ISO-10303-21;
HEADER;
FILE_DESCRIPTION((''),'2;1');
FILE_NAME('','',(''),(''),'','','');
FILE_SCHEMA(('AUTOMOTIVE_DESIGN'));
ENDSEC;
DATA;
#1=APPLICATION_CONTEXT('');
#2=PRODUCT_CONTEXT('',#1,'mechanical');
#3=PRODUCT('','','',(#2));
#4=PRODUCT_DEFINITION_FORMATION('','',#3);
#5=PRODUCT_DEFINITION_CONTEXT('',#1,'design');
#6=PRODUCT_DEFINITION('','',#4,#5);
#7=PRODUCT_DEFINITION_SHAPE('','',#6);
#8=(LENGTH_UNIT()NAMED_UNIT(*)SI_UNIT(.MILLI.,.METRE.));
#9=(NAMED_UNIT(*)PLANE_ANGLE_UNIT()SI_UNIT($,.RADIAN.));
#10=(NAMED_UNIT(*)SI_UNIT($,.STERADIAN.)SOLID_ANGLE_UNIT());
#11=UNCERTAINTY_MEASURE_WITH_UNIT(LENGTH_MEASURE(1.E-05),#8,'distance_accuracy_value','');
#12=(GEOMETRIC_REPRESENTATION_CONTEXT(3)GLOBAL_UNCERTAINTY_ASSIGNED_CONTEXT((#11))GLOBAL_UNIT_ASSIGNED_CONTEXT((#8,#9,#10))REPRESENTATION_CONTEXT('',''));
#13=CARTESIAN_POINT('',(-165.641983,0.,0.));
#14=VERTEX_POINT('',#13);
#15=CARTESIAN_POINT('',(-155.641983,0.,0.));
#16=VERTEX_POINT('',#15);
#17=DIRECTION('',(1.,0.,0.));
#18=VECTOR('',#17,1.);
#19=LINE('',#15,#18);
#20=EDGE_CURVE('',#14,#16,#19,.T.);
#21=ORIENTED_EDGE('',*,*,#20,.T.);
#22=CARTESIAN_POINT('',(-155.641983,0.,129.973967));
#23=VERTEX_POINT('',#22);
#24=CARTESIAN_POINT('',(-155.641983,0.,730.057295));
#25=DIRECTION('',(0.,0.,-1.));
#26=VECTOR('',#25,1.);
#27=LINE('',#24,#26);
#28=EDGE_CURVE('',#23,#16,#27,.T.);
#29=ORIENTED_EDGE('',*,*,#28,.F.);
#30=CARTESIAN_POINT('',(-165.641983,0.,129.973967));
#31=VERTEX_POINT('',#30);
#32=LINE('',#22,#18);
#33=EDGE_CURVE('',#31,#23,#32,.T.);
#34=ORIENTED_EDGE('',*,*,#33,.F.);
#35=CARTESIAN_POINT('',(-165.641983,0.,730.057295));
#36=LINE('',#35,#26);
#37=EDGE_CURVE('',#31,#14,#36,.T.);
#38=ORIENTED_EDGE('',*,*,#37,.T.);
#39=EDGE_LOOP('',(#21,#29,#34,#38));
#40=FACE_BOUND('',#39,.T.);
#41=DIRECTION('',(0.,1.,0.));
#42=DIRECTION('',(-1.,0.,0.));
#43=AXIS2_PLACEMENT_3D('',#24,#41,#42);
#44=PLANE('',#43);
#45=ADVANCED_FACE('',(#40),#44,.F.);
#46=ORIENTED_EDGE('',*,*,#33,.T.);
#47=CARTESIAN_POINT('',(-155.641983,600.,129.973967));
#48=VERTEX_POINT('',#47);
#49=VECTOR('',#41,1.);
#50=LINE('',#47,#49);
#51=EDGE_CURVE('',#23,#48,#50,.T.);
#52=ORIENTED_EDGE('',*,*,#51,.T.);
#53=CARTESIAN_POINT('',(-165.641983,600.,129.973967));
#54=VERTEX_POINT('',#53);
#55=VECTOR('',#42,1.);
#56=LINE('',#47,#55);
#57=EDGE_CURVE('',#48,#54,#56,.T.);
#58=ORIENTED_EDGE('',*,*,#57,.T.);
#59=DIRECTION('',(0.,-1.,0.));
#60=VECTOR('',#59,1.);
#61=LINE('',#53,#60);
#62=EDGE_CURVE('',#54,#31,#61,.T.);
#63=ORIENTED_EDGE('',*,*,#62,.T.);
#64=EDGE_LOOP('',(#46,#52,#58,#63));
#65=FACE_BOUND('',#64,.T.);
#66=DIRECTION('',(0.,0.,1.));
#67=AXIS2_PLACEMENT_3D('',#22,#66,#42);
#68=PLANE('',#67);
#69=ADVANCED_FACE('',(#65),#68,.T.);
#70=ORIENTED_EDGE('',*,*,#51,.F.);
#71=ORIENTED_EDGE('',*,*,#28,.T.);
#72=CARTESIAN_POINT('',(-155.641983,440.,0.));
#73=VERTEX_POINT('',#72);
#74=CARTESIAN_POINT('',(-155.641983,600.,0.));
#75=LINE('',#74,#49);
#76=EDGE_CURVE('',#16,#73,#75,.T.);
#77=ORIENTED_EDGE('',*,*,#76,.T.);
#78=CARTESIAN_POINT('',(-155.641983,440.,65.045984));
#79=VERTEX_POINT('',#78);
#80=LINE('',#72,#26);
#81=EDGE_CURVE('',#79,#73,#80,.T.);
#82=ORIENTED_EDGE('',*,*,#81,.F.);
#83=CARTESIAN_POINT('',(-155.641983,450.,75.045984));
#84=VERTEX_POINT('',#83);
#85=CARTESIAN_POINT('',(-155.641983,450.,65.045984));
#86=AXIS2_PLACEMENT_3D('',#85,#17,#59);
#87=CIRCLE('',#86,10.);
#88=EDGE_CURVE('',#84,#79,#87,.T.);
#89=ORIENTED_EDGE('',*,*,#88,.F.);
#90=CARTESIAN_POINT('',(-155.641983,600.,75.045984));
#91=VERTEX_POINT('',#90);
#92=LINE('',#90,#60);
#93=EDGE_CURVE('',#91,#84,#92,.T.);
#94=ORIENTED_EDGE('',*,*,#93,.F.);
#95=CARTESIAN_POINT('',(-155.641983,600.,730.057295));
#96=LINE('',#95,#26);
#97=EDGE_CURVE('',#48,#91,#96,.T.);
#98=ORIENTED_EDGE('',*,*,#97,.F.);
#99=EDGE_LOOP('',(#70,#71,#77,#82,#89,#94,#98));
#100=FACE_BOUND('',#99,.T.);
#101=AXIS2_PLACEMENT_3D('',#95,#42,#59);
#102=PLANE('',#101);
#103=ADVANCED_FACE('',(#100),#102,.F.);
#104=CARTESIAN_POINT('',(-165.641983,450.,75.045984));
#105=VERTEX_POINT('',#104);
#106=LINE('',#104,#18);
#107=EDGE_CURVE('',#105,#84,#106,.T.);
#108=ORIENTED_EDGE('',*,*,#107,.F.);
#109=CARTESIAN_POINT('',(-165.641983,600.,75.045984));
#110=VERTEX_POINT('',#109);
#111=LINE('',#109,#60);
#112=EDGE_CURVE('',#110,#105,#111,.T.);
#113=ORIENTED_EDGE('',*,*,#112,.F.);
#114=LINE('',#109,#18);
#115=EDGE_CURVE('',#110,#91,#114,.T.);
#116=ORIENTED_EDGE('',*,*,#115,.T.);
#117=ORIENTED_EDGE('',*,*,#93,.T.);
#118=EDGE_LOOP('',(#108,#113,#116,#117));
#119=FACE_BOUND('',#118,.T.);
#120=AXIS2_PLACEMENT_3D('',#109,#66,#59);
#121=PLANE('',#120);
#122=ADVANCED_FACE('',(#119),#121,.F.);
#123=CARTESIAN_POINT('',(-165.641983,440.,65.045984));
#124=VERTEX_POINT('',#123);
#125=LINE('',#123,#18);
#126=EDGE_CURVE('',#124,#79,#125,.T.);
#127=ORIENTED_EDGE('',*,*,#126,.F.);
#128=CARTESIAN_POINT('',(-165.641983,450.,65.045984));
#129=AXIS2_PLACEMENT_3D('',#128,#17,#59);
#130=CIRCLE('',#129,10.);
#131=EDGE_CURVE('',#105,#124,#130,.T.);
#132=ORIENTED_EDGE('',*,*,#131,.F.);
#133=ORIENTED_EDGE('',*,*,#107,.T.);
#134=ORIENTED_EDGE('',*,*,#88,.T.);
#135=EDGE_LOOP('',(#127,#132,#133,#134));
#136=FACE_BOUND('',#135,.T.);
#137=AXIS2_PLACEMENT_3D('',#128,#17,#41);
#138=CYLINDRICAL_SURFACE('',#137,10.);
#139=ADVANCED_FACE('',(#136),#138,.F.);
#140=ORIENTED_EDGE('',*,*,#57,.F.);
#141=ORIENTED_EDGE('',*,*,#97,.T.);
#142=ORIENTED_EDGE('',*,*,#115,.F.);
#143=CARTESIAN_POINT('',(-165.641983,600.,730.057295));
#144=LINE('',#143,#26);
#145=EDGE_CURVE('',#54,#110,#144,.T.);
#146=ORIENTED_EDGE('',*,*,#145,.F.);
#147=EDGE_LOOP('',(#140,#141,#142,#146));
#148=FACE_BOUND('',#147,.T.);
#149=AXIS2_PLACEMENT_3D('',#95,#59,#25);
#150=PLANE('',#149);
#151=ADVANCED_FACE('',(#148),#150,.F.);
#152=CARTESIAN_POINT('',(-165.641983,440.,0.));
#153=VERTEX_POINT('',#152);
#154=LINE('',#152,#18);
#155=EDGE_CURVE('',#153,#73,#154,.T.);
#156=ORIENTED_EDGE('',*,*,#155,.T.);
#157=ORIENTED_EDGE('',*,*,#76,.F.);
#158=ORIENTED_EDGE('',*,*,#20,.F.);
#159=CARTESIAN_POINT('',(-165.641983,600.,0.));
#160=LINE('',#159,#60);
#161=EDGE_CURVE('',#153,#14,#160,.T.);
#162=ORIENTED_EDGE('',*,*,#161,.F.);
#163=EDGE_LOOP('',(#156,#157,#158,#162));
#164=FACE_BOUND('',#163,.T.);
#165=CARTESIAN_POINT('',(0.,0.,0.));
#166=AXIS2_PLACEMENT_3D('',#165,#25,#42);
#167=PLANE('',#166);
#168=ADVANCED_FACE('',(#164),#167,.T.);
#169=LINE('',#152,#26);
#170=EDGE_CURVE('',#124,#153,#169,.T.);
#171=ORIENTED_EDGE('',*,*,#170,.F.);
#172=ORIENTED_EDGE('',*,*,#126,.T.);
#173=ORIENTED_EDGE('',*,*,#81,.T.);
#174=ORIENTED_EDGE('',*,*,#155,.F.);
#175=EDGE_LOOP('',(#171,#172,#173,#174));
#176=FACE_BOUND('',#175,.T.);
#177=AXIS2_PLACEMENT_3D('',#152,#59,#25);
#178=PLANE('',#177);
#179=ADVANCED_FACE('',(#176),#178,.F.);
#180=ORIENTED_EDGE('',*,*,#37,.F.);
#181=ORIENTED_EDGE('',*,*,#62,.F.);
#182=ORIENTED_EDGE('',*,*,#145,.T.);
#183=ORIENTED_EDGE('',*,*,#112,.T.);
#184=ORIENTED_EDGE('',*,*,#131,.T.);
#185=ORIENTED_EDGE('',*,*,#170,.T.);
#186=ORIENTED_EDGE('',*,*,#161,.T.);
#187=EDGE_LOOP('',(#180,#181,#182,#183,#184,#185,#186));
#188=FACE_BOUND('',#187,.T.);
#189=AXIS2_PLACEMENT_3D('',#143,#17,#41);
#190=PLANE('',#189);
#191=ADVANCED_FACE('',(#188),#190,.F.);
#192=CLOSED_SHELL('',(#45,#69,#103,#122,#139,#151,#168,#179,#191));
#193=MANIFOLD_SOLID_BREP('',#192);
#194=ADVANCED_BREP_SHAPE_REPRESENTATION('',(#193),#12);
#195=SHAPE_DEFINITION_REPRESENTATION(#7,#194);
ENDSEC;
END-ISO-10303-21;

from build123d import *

# Parameters (mm, degrees)
ESQUISSE1_W             = 10
ESQUISSE1_H             = 600
BOSS_EXTRU_1_DEPTH      = 129.973967
ENL_V_MAT_EXTRU_1_DEPTH = 10


with BuildPart() as part:
    # Esquisse1 → Boss.-Extru.1 (new body)
    with BuildSketch(Plane.XY):
        with Locations((-160.641983179, 300)):
            Rectangle(ESQUISSE1_W, ESQUISSE1_H)
    extrude(amount=BOSS_EXTRU_1_DEPTH)

    # Esquisse2 → Enlèv. mat.-Extru.1 (cut)
    with BuildSketch(Plane(origin=(-155.641983179, 0, 0), x_dir=(0, 0, -1), z_dir=(1, 0, 0))):
        with BuildLine():
            Line((0, 600), (-75.04598428, 600))
            Line((-75.04598428, 600), (-75.04598428, 450))
            ThreePointArc((-75.04598428, 450), (-72.117052092, 442.928932188), (-65.04598428, 440))
            Line((-65.04598428, 440), (0, 440))
            Line((0, 440), (0, 600))
        make_face()
    extrude(amount=-ENL_V_MAT_EXTRU_1_DEPTH, mode=Mode.SUBTRACT)


solid = part.part
